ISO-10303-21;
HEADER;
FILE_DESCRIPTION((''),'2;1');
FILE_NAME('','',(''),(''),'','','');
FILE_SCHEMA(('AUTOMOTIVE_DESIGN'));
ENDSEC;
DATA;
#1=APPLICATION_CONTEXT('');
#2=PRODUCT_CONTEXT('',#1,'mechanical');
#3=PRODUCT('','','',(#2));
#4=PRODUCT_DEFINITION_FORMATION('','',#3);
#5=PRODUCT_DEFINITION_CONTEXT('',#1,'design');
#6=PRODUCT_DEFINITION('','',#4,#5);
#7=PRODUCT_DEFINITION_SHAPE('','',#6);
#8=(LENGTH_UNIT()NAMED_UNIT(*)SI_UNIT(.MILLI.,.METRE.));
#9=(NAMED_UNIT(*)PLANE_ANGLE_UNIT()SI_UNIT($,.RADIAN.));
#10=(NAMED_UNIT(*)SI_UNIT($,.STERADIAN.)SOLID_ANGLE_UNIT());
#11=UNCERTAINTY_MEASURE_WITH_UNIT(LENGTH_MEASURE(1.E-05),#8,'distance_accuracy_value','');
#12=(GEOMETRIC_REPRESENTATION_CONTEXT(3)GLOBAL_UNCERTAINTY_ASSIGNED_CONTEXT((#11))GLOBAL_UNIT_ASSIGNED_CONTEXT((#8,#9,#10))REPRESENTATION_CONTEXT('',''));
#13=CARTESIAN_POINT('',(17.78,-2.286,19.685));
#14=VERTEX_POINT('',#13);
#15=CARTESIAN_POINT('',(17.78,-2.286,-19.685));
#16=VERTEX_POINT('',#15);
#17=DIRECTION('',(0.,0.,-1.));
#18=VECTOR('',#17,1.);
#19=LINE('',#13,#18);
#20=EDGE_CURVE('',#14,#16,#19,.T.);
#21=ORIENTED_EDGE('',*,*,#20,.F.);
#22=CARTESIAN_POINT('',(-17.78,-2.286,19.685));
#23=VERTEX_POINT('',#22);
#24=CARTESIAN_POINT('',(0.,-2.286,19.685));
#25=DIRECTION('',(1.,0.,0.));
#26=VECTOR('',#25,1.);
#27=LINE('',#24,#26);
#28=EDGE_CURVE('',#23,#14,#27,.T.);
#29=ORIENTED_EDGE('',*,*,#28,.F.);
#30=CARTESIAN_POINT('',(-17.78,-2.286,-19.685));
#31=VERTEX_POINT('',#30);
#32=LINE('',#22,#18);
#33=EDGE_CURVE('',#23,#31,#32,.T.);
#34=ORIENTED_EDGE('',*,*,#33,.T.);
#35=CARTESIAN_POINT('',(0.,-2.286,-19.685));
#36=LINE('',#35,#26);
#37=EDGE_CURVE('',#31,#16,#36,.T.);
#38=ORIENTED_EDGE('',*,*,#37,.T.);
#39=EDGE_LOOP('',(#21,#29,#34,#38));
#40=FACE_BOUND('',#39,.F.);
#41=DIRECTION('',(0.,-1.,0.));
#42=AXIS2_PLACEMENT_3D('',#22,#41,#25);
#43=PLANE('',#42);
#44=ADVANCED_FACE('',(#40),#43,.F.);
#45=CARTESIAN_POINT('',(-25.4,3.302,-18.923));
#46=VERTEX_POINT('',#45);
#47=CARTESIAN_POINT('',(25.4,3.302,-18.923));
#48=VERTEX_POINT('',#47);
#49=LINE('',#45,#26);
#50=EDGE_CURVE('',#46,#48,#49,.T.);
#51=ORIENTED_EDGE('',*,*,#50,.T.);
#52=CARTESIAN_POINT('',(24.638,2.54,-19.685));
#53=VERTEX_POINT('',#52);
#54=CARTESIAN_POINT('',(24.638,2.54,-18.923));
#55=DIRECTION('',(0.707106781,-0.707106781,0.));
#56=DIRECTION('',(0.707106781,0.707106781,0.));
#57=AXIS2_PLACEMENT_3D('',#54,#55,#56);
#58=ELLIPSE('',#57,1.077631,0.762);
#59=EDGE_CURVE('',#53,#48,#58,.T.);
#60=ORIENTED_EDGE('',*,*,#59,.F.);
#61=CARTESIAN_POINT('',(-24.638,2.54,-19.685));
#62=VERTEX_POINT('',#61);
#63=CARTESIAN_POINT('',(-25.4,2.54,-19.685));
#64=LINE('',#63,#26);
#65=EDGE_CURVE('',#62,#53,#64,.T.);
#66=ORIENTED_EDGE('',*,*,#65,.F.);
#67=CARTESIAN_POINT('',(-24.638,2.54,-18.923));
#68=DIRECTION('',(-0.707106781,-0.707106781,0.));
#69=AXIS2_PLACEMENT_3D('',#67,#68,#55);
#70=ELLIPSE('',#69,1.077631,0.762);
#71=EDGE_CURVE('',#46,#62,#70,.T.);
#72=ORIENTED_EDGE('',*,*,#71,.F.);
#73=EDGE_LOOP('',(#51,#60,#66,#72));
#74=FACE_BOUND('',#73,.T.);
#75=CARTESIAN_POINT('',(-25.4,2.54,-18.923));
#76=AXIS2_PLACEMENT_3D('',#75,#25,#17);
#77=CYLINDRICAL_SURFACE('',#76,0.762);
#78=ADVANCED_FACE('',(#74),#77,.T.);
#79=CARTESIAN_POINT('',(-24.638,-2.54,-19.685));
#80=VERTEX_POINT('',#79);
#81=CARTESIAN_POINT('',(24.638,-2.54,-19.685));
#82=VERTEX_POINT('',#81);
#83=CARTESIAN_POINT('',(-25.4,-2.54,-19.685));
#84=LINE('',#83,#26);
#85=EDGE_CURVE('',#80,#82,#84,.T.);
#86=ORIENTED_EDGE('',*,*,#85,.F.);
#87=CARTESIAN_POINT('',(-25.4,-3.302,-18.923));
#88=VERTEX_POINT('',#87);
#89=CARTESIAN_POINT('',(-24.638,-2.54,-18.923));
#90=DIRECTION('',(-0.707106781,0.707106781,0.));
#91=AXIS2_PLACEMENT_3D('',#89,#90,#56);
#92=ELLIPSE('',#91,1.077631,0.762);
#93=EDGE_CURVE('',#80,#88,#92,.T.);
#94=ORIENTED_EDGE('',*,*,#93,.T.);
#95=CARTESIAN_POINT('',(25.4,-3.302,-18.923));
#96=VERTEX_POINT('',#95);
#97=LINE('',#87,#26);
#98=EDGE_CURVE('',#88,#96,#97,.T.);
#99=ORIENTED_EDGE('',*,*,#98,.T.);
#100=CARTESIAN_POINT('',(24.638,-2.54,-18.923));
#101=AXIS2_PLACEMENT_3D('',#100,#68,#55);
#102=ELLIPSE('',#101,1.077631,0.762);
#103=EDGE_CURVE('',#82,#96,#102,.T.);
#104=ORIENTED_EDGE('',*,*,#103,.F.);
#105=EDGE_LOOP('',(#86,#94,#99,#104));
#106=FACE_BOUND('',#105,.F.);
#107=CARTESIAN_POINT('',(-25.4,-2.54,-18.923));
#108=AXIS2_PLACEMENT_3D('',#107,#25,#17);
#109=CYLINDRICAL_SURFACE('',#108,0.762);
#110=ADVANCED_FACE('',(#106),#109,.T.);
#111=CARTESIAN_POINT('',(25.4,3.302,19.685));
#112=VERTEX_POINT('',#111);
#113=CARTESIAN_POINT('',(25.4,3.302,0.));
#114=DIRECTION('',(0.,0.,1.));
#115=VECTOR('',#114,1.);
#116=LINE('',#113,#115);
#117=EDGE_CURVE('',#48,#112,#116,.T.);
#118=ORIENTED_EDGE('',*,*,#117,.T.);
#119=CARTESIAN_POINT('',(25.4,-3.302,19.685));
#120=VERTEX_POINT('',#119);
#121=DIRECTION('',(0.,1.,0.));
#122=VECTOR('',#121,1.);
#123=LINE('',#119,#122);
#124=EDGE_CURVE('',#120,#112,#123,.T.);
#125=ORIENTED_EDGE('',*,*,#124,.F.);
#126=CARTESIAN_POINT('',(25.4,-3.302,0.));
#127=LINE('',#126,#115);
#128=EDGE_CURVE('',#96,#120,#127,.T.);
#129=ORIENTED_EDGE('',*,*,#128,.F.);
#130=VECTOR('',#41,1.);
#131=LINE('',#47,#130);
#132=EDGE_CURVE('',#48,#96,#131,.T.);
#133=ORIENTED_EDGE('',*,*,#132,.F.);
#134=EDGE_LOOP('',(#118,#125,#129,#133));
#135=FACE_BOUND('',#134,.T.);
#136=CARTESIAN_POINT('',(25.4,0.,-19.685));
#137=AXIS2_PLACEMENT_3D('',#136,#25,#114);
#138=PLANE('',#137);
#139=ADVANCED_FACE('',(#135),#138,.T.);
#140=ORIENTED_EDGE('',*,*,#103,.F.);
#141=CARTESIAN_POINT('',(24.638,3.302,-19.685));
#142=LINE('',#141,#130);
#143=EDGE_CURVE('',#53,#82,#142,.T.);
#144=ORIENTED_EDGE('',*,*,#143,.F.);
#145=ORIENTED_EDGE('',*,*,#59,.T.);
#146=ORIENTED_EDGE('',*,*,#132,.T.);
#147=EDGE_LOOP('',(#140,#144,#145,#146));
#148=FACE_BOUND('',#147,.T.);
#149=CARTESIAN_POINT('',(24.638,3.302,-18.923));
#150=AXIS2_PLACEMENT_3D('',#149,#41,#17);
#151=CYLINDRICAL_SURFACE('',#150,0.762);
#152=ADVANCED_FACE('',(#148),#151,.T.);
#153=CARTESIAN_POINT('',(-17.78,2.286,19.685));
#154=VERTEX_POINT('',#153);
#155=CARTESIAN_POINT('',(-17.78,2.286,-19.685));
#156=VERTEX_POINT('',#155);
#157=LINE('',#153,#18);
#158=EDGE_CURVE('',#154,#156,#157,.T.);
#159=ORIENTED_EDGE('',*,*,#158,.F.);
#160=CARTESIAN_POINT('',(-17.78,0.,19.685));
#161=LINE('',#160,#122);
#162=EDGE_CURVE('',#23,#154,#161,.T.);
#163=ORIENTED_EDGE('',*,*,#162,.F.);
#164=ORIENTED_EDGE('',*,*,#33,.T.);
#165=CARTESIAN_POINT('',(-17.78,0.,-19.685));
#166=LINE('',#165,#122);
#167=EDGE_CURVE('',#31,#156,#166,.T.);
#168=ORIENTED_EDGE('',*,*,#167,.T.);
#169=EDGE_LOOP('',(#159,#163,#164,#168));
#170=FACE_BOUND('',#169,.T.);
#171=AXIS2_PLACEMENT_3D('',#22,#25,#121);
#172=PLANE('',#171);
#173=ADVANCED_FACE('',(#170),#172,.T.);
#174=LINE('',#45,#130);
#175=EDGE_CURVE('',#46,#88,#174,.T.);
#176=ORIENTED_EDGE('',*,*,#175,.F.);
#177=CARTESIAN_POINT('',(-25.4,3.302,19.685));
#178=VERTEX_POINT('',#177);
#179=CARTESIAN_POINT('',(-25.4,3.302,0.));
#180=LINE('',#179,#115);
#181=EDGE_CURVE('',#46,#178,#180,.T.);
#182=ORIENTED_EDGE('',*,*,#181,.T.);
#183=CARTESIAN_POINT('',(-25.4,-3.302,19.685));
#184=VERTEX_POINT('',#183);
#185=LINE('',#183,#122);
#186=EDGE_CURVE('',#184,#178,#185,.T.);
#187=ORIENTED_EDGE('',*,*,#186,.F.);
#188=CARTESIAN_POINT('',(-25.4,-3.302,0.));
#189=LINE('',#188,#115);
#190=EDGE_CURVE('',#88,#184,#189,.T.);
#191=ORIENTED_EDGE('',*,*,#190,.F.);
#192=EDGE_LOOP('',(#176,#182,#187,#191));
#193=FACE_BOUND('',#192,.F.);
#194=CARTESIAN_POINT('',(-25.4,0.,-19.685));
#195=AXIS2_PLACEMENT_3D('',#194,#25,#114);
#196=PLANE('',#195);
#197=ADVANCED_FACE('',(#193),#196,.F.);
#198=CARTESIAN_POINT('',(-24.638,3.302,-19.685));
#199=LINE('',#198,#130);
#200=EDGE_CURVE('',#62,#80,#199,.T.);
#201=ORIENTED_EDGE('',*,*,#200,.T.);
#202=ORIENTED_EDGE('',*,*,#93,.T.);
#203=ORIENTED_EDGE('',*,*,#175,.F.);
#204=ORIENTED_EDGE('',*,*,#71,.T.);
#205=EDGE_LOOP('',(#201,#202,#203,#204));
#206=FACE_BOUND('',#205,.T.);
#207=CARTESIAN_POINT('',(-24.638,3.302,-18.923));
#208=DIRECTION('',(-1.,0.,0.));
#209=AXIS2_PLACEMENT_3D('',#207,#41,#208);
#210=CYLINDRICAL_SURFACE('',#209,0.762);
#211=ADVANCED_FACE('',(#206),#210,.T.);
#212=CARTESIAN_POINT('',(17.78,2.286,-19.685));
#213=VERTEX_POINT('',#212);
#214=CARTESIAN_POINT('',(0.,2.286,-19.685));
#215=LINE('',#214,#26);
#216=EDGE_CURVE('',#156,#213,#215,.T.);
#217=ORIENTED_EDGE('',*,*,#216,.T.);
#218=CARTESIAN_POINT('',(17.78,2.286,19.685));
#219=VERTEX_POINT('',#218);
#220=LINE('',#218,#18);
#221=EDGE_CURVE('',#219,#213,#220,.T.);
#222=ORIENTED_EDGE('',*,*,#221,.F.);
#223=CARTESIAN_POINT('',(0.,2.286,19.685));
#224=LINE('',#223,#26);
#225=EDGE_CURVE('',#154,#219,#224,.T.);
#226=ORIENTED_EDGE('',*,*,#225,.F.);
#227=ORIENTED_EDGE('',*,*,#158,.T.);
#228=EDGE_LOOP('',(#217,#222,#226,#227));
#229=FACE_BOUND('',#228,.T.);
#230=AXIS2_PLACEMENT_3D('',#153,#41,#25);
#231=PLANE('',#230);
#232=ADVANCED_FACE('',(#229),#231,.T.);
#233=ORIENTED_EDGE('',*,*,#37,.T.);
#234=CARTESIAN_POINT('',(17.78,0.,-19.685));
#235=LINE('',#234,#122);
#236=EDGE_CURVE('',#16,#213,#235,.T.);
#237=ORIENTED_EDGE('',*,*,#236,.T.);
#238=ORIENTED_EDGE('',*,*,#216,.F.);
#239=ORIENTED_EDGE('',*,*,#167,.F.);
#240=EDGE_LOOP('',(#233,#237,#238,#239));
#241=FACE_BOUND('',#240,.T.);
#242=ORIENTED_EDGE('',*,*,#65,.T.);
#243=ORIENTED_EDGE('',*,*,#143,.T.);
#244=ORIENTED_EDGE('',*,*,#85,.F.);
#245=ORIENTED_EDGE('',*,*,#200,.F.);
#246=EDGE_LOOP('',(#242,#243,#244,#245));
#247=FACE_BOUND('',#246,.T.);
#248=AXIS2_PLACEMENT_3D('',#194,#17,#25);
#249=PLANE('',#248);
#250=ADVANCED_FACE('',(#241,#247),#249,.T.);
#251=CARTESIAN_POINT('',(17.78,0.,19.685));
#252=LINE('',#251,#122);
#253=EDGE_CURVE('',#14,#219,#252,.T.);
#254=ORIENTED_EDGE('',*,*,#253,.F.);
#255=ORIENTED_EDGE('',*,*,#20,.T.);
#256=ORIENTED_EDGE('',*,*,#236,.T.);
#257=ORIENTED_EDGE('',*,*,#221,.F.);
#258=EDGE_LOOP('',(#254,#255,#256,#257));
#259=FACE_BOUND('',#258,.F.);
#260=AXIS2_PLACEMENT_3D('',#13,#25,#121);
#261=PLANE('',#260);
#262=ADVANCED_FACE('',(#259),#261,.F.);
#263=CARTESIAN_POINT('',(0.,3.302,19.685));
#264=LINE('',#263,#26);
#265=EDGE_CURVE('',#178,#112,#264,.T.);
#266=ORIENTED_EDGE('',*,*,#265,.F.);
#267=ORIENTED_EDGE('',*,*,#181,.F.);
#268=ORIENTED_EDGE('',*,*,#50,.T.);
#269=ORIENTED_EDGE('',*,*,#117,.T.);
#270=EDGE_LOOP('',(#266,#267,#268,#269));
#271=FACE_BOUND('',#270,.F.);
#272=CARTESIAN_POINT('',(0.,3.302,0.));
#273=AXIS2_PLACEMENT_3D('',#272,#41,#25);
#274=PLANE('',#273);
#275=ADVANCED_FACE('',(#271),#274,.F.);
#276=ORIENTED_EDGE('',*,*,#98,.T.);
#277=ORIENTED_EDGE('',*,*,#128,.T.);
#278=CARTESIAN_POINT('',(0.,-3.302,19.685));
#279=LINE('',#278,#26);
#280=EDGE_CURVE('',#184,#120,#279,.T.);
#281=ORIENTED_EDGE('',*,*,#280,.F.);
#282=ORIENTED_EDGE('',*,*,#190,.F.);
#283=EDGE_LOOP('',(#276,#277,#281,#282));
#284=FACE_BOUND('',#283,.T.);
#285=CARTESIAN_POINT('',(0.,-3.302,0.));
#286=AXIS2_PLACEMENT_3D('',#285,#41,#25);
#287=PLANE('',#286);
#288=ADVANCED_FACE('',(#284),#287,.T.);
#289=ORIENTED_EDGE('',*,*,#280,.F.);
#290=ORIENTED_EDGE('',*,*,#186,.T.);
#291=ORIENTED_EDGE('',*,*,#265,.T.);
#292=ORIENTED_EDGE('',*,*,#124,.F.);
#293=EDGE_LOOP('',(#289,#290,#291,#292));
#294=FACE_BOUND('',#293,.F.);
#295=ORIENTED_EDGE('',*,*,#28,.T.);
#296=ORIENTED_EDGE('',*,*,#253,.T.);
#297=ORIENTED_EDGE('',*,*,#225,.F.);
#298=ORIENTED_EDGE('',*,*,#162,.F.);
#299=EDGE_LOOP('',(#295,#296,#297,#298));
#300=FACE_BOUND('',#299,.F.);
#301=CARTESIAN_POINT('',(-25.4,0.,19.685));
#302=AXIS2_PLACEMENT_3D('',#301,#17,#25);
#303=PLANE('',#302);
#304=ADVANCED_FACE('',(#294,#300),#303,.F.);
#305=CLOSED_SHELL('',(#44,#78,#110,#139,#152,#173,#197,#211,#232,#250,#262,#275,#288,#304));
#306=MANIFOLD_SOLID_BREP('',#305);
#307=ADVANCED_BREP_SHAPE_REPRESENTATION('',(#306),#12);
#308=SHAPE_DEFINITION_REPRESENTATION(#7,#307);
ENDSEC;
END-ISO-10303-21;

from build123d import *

# Parameters (mm, degrees)
F0_W     = 50.8
F0_H     = 39.37
F1_DEPTH = 3.302
F2_W     = 35.56
F2_H     = 4.572
F3_DEPTH = 39.37
F4_R     = 0.762


with BuildPart() as f1:
    # F0 (on Front) → F1 (new body, symmetric)
    with BuildSketch(Plane.XZ):
        Rectangle(F0_W, F0_H)
    extrude(amount=F1_DEPTH, both=True)

    # F2 (on face) → F3 (cut)
    with BuildSketch(Plane.XY.offset(19.685)):
        Rectangle(F2_W, F2_H)
    extrude(amount=-F3_DEPTH, mode=Mode.SUBTRACT)

    # F4
    f4_edges = [f1.edges().sort_by_distance(p)[0] for p in [
        (0, -3.302, -19.685),
        (-25.4, 0, -19.685),
        (0, 3.302, -19.685),
        (25.4, 0, -19.685),
    ]]
    fillet(f4_edges, radius=F4_R)


solid = f1.part
